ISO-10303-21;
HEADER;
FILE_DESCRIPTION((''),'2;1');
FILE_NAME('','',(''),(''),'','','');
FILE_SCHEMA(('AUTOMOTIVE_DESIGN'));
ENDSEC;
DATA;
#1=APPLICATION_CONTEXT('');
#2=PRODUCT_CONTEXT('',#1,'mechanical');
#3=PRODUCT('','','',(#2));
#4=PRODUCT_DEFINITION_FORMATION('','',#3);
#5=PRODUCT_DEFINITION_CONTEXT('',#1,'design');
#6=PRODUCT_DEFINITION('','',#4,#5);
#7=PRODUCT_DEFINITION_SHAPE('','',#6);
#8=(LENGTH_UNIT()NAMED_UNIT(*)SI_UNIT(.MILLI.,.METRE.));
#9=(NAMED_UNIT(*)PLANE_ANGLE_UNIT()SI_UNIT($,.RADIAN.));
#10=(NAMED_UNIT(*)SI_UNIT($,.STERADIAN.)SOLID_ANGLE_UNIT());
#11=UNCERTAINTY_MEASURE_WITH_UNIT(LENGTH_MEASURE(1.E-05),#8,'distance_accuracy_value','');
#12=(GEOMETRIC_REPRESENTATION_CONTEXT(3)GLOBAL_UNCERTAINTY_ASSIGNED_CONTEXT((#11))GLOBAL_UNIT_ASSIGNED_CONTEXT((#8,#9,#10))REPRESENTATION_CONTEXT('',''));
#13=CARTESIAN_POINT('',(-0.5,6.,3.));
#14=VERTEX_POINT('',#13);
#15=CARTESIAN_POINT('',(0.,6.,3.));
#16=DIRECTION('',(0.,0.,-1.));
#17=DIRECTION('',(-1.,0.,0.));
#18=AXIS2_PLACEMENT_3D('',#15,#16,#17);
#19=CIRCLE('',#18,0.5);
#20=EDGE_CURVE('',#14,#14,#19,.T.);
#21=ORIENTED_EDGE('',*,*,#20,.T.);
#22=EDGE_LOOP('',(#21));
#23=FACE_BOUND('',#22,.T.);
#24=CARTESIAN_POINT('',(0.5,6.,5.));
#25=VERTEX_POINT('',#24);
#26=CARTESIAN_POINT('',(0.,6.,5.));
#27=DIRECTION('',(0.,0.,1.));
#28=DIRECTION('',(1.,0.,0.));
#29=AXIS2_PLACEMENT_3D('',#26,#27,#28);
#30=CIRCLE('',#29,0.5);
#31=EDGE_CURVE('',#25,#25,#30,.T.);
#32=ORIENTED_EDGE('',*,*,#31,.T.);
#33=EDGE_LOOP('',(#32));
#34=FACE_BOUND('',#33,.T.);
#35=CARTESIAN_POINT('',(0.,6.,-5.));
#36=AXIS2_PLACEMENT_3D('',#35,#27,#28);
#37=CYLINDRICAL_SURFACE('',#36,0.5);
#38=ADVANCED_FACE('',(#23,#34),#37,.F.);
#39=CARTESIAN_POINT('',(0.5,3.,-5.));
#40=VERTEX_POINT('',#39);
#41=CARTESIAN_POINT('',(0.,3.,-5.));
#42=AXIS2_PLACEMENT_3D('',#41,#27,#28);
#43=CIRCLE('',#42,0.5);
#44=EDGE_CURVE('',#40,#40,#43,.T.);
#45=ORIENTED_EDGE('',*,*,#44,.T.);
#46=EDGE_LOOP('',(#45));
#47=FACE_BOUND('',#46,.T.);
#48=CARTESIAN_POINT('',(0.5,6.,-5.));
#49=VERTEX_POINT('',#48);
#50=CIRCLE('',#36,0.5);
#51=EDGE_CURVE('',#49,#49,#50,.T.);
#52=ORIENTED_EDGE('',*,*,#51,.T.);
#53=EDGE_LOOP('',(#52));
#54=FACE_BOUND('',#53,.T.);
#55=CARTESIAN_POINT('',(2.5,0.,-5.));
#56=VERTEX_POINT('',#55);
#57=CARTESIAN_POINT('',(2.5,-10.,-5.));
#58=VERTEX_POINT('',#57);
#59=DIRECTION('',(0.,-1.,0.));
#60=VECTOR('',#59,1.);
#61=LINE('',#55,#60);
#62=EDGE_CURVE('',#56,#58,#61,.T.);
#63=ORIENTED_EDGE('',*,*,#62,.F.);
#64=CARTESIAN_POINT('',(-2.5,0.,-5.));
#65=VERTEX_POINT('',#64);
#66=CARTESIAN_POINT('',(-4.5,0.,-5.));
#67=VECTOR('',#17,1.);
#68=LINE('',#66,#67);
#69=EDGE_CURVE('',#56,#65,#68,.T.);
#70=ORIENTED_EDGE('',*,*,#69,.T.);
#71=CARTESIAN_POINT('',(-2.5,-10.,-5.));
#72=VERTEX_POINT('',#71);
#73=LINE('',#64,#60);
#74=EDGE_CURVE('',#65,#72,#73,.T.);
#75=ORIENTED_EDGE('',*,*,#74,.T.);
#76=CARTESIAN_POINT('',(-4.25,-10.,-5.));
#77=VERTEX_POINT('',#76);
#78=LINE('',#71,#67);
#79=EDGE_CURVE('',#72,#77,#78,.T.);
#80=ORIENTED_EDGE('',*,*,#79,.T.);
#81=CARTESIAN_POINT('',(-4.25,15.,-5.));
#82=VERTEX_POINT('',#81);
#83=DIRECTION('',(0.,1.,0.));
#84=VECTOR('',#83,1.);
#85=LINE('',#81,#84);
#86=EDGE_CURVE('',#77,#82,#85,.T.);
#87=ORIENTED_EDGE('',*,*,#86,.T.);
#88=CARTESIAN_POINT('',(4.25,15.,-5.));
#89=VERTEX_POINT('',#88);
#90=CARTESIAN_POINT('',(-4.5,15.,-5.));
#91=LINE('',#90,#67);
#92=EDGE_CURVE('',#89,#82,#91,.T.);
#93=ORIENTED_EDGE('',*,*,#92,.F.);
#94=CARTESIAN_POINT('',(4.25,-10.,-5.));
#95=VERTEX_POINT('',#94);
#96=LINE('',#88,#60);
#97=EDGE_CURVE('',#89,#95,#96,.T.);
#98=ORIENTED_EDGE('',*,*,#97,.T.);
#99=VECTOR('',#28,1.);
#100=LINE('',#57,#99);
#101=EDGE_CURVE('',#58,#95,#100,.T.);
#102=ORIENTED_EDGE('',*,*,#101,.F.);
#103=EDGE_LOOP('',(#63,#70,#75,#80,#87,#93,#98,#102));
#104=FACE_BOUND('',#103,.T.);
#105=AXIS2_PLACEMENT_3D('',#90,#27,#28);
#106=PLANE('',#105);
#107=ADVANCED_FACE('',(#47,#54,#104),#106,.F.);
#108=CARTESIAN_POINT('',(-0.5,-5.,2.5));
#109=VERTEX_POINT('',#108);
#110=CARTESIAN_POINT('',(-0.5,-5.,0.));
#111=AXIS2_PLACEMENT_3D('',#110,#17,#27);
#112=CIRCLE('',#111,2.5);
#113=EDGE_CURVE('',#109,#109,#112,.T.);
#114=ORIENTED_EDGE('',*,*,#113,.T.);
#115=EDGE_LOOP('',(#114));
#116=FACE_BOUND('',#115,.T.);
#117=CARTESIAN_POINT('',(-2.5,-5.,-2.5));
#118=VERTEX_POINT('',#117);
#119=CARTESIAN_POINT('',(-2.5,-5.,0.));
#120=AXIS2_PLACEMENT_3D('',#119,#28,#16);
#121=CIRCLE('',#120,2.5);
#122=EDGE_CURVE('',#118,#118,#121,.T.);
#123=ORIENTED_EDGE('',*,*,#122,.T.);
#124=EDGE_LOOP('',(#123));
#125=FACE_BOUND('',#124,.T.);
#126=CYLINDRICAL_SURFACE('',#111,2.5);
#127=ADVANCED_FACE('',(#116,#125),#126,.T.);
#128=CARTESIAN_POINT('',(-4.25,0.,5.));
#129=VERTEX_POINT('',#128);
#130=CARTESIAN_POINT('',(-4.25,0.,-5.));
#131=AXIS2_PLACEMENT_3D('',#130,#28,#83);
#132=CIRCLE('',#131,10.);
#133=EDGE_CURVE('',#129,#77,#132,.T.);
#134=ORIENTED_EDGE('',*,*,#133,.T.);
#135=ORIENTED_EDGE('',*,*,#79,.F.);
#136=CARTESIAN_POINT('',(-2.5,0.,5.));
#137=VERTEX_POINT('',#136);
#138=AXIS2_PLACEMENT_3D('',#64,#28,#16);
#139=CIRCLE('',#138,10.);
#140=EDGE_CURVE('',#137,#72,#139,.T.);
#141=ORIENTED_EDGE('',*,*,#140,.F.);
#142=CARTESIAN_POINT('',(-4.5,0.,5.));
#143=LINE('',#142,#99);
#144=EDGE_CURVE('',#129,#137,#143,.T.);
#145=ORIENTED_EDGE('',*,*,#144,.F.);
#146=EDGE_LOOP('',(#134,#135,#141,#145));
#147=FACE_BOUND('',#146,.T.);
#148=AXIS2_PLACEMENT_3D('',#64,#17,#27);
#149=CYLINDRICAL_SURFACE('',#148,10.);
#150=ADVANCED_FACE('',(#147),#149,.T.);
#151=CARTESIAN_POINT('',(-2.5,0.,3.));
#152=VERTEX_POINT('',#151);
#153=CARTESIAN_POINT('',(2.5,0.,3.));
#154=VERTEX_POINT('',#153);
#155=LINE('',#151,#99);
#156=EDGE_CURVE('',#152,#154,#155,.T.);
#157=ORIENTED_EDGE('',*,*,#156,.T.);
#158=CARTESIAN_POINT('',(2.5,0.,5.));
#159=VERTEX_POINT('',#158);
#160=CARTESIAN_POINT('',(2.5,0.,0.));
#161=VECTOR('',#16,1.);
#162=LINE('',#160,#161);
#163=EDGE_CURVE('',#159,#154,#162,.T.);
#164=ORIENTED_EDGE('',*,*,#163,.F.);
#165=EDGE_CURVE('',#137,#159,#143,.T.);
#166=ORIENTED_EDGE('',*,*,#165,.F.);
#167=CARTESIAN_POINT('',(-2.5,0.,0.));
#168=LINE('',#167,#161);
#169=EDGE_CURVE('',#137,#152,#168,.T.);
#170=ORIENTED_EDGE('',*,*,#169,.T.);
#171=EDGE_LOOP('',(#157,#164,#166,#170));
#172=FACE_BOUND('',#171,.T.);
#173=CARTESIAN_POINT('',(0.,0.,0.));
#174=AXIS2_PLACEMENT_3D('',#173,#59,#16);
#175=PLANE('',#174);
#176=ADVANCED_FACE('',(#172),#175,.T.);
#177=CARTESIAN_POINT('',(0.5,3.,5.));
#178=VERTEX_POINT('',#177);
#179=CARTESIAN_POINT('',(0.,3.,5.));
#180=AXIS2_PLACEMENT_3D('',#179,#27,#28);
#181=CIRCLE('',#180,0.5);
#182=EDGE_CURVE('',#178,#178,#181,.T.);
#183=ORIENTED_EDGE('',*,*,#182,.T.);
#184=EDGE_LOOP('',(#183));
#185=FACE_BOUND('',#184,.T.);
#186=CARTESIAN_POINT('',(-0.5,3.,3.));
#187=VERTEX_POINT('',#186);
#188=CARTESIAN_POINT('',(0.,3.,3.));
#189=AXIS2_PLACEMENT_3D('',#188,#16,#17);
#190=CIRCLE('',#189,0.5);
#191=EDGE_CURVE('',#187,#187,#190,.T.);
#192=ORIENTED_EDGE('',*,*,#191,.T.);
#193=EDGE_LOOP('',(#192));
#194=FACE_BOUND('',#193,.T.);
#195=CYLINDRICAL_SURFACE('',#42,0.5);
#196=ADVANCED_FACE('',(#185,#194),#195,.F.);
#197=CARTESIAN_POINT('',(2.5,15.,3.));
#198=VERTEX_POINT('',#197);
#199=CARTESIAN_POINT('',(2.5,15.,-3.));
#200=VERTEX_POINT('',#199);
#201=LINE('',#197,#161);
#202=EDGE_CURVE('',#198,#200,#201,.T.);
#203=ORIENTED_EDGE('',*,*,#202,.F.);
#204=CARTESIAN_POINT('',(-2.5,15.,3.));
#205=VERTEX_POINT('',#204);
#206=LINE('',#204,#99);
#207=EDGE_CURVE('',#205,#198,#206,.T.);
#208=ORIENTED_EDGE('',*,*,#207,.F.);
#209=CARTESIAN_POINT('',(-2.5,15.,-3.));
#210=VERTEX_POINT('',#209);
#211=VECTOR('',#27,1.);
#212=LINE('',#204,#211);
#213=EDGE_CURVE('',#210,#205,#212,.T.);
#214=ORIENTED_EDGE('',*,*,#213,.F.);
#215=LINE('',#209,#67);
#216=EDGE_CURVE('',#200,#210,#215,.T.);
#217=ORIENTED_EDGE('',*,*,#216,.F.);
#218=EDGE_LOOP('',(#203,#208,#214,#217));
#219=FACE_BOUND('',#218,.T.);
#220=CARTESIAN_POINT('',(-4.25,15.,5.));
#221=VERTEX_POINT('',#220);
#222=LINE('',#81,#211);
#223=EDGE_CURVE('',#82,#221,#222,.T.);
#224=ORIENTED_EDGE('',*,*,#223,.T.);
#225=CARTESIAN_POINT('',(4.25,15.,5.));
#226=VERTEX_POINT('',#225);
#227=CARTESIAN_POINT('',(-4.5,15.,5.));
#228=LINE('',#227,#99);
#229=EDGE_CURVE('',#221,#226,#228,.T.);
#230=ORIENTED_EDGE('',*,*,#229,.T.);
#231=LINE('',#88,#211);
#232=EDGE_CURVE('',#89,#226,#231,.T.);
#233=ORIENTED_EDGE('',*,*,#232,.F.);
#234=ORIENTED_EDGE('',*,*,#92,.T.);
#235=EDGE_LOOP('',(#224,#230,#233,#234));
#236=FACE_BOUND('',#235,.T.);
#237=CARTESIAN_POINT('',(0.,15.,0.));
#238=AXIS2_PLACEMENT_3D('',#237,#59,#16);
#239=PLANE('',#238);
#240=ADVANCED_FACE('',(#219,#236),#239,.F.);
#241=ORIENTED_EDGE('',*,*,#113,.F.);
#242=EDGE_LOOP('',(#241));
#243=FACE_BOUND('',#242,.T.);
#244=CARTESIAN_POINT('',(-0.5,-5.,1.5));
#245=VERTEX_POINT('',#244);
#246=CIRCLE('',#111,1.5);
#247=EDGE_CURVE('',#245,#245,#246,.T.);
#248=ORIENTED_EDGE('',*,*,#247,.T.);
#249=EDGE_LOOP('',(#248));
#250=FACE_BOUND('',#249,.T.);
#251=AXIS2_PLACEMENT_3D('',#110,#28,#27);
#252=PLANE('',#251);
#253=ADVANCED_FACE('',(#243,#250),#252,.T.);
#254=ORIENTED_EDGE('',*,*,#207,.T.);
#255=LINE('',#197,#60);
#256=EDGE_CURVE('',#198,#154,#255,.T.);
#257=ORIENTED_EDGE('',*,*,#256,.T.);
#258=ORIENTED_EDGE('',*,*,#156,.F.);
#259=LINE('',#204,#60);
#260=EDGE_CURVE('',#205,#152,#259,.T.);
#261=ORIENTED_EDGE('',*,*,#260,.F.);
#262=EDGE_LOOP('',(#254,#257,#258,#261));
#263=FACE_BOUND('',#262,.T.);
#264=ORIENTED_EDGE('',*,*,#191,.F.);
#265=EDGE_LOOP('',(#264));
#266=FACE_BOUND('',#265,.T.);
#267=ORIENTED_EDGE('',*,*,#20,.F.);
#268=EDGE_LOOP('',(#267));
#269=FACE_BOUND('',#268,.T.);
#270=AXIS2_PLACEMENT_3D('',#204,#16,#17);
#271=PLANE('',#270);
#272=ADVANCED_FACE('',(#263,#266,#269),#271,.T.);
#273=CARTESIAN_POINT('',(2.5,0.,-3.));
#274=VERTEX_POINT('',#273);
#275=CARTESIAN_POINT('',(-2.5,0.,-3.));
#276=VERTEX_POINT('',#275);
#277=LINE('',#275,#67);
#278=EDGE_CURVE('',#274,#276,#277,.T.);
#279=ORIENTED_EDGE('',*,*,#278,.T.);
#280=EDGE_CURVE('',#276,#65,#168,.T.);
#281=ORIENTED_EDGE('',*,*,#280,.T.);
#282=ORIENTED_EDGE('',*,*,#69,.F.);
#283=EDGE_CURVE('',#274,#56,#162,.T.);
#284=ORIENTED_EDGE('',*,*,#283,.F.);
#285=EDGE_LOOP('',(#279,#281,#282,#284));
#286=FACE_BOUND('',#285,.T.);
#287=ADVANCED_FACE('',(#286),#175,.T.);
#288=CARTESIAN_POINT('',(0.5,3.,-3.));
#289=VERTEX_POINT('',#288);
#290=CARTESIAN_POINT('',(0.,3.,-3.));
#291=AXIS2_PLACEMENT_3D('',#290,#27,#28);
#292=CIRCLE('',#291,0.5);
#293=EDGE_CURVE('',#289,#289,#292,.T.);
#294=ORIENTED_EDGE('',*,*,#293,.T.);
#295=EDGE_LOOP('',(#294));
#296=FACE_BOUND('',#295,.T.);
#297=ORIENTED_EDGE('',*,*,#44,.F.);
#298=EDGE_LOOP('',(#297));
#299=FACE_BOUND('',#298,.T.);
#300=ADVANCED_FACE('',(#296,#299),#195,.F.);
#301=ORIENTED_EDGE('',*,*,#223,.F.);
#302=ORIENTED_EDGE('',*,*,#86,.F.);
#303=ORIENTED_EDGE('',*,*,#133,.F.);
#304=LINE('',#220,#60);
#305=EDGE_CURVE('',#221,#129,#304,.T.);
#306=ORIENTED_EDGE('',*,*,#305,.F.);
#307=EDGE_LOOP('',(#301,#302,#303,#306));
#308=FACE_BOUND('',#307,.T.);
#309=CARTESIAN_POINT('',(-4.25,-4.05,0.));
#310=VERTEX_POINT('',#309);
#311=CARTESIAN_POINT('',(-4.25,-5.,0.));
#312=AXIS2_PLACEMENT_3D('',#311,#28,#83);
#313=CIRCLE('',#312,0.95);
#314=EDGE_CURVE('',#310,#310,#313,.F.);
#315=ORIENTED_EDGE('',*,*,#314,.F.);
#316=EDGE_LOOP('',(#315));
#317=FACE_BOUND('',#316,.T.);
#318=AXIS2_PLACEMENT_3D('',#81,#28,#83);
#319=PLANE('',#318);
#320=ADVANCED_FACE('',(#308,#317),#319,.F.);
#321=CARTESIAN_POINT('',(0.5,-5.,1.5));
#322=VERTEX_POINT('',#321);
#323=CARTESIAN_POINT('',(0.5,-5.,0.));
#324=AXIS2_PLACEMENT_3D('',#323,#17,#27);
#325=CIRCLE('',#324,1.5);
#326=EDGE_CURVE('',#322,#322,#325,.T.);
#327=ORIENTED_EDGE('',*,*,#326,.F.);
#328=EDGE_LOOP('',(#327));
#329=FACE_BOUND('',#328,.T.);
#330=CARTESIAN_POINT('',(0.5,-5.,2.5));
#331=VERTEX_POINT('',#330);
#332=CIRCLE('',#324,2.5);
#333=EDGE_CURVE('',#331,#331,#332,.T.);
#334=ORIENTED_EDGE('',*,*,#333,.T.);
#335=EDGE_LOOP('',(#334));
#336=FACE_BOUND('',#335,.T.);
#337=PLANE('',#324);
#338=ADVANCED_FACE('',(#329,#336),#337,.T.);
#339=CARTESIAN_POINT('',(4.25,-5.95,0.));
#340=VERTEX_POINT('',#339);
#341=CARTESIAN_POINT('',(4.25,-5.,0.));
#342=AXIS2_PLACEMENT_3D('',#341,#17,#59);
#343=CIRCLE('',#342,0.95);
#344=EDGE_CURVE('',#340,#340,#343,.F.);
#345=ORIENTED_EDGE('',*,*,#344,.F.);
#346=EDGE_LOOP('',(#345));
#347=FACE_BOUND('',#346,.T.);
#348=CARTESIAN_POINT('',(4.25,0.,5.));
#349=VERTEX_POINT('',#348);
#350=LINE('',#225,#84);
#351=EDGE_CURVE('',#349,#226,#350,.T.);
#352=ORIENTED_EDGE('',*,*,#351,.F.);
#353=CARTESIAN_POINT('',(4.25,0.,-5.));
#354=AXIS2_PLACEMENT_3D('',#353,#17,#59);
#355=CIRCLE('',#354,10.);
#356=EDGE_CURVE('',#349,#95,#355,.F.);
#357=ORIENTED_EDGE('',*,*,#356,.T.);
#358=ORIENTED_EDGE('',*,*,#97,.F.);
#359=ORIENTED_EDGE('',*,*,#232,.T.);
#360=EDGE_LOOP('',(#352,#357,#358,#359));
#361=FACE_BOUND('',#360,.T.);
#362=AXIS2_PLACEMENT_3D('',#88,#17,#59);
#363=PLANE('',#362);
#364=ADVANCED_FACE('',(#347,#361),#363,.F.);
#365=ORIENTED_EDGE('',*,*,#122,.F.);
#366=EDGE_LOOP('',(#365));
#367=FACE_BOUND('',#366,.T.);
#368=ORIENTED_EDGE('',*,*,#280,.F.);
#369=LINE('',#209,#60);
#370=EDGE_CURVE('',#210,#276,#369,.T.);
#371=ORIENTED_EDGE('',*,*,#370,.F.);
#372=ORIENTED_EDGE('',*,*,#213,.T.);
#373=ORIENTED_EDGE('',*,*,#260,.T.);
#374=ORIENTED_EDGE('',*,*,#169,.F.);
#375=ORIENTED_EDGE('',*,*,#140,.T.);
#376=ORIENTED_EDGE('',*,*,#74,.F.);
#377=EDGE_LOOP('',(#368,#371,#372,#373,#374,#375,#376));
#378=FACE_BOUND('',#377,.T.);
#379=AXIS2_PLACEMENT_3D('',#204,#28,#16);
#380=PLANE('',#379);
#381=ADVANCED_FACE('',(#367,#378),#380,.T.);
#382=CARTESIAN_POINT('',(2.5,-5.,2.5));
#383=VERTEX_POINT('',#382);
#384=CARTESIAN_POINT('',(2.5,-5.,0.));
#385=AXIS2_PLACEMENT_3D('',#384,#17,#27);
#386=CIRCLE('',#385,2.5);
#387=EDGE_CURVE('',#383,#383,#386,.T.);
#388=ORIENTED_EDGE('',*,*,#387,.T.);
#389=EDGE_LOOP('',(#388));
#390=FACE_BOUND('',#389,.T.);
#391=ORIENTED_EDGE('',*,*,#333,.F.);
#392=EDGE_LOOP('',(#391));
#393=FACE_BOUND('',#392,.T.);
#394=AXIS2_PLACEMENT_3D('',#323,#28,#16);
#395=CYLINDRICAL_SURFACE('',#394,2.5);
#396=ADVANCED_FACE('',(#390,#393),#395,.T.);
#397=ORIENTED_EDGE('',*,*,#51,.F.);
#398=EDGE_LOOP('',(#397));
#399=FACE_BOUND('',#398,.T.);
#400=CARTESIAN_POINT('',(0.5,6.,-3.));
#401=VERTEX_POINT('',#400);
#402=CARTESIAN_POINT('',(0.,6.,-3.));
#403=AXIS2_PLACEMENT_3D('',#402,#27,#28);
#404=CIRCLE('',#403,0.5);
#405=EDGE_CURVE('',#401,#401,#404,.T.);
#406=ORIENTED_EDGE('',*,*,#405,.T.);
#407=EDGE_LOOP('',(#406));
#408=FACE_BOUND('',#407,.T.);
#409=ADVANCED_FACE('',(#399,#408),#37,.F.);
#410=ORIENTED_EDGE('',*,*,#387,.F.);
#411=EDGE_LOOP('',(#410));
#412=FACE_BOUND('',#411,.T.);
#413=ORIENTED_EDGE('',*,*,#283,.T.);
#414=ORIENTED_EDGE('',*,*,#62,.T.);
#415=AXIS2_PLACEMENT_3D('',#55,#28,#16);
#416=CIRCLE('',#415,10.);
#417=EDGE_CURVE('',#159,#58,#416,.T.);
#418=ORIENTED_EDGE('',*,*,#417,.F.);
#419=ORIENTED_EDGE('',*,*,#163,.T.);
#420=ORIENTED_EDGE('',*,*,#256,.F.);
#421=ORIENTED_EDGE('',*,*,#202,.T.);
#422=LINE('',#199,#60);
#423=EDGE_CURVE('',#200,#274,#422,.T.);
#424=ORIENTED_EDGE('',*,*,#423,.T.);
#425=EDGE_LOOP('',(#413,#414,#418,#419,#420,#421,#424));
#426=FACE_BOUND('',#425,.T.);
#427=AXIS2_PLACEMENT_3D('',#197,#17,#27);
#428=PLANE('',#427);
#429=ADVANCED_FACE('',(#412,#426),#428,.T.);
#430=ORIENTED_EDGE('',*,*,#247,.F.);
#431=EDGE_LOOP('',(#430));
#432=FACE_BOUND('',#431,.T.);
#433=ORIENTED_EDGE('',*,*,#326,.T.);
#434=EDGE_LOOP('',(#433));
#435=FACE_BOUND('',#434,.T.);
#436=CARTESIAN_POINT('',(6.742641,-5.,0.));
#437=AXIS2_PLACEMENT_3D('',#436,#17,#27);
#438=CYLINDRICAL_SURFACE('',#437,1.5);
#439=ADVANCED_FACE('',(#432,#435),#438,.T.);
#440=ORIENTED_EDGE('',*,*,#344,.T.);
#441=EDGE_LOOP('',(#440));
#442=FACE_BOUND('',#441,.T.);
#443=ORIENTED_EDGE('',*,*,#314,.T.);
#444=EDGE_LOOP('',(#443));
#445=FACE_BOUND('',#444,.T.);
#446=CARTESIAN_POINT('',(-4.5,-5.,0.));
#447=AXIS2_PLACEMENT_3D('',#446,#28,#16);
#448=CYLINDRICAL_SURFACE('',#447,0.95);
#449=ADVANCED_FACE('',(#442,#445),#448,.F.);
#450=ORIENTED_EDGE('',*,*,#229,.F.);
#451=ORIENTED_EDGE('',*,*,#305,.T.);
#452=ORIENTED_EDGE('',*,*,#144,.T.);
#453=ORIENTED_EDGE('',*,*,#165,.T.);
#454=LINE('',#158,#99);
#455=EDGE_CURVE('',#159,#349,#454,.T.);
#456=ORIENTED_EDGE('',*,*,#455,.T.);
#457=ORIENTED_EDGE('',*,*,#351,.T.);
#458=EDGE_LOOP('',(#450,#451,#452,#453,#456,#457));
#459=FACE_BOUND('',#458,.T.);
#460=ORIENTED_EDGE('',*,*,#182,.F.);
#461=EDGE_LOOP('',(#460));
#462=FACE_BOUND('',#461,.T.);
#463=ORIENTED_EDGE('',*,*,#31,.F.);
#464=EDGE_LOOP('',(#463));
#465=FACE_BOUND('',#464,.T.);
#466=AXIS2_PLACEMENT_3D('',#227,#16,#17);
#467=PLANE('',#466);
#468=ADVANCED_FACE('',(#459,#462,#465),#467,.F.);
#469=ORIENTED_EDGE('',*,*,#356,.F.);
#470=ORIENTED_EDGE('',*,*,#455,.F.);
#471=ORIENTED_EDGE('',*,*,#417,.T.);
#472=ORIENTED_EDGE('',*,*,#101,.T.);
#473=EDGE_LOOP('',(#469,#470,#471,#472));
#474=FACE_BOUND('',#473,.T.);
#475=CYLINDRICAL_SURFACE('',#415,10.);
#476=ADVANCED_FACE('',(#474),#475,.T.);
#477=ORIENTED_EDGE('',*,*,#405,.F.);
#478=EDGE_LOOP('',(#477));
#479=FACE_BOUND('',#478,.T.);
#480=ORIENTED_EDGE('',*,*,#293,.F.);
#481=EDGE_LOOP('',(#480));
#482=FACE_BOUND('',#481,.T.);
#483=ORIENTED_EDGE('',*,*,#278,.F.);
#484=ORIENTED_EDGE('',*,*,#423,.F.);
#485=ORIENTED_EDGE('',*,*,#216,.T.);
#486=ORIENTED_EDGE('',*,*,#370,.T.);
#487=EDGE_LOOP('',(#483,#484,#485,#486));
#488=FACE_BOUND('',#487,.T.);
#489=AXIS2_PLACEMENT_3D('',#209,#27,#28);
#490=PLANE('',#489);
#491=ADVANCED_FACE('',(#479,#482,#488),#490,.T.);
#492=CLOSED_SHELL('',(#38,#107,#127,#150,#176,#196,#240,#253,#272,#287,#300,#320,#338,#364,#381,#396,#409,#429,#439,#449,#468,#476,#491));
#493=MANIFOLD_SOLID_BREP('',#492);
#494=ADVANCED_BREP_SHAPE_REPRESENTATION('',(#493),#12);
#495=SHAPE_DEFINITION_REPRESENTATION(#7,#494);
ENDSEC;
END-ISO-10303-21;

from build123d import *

# Parameters (mm, degrees)
SKETCH1_W               = 9
SKETCH1_H               = 10
SKETCH1_W_2             = 5
SKETCH1_H_2             = 6
BOSS_EXTRUDE1_DEPTH     = 15
BOSS_EXTRUDE2_DEPTH     = 2
SKETCH3_R               = 0.95
CUT_EXTRUDE2_DEPTH      = 1
CUT_EXTRUDE2_DEPTH_BACK = 10
SKETCH5_R               = 1.5
SKETCH5_R_2             = 0.95
BOSS_EXTRUDE3_DEPTH     = 5
SKETCH6_R               = 0.5
CUT_EXTRUDE3_DEPTH      = 11
SKETCH7_W               = 0.25
SKETCH7_H               = 25.68334021
SKETCH7_H_2             = 27.406815516
CUT_EXTRUDE4_DEPTH      = 1
CUT_EXTRUDE4_DEPTH_BACK = 11
SKETCH8_R               = 2.5
SKETCH8_R_2             = 1.5
BOSS_EXTRUDE4_DEPTH     = 2


with BuildPart() as part:
    # Sketch1 → Boss-Extrude1 (new body)
    with BuildSketch(Plane(origin=(0, 0, 0), x_dir=(1, 0, 0), z_dir=(0, 1, 0))):
        Rectangle(SKETCH1_W, SKETCH1_H)
        Rectangle(SKETCH1_W_2, SKETCH1_H_2, mode=Mode.SUBTRACT)
    extrude(amount=BOSS_EXTRUDE1_DEPTH)

    # Sketch2 → Boss-Extrude2 (add)
    with BuildSketch(Plane(origin=(4.5, 0, 0), x_dir=(0, 0, -1), z_dir=(1, 0, 0))):
        with BuildLine():
            Line((5, -10), (5, 0))
            Line((5, 0), (-5, 0))
            ThreePointArc((-5, 0), (-2.071067812, -7.071067812), (5, -10))
        make_face()
    boss_extrude2 = extrude(amount=-BOSS_EXTRUDE2_DEPTH)

    # Mirror1: Boss-Extrude2 across plane
    add(boss_extrude2.mirror(Plane(origin=(0, 0, 0), x_dir=(0, 0, 1), z_dir=(1, 0, 0))))

    # Sketch3 → Cut-Extrude2 (cut, two sides)
    with BuildSketch(Plane(origin=(4.5, 0, 0), x_dir=(0, 0, -1), z_dir=(1, 0, 0))) as cut_extrude2_sk:
        with Locations((0, -5)):
            Circle(SKETCH3_R)
    extrude(amount=CUT_EXTRUDE2_DEPTH, mode=Mode.SUBTRACT)
    extrude(cut_extrude2_sk.sketch, amount=-CUT_EXTRUDE2_DEPTH_BACK, mode=Mode.SUBTRACT)

    # Sketch5 → Boss-Extrude3 (add)
    with BuildSketch(Plane(origin=(-2.5, 0, 0), x_dir=(0, 0, -1), z_dir=(1, 0, 0))):
        with Locations((0, -5)):
            Circle(SKETCH5_R)
        with Locations((0, -5)):
            Circle(SKETCH5_R_2, mode=Mode.SUBTRACT)
    extrude(amount=BOSS_EXTRUDE3_DEPTH)

    # Sketch6 → Cut-Extrude3 (cut, through all)
    with BuildSketch(Plane.XY.offset(5)):
        with Locations((0, 3)):
            Circle(SKETCH6_R)
        with Locations((0, 6)):
            Circle(SKETCH6_R)
    extrude(amount=-CUT_EXTRUDE3_DEPTH, mode=Mode.SUBTRACT)

    # Sketch7 → Cut-Extrude4 (cut, two sides)
    with BuildSketch(Plane.XY.offset(5)) as cut_extrude4_sk:
        with Locations((-4.375, 2.158329895)):
            Rectangle(SKETCH7_W, SKETCH7_H)
        with Locations((4.375, 1.296592242)):
            Rectangle(SKETCH7_W, SKETCH7_H_2)
    extrude(amount=CUT_EXTRUDE4_DEPTH, mode=Mode.SUBTRACT)
    extrude(cut_extrude4_sk.sketch, amount=-CUT_EXTRUDE4_DEPTH_BACK, mode=Mode.SUBTRACT)

    # Sketch8 → Boss-Extrude4 (add)
    with BuildSketch(Plane.ZY.offset(-2.5)):
        with Locations((0, -5)):
            Circle(SKETCH8_R)
        with Locations((0, -5)):
            Circle(SKETCH8_R_2, mode=Mode.SUBTRACT)
    boss_extrude4 = extrude(amount=BOSS_EXTRUDE4_DEPTH)

    # Mirror2: Boss-Extrude4 across plane
    add(boss_extrude4.mirror(Plane(origin=(0, 0, 0), x_dir=(0, 0, 1), z_dir=(1, 0, 0))))


solid = part.part
